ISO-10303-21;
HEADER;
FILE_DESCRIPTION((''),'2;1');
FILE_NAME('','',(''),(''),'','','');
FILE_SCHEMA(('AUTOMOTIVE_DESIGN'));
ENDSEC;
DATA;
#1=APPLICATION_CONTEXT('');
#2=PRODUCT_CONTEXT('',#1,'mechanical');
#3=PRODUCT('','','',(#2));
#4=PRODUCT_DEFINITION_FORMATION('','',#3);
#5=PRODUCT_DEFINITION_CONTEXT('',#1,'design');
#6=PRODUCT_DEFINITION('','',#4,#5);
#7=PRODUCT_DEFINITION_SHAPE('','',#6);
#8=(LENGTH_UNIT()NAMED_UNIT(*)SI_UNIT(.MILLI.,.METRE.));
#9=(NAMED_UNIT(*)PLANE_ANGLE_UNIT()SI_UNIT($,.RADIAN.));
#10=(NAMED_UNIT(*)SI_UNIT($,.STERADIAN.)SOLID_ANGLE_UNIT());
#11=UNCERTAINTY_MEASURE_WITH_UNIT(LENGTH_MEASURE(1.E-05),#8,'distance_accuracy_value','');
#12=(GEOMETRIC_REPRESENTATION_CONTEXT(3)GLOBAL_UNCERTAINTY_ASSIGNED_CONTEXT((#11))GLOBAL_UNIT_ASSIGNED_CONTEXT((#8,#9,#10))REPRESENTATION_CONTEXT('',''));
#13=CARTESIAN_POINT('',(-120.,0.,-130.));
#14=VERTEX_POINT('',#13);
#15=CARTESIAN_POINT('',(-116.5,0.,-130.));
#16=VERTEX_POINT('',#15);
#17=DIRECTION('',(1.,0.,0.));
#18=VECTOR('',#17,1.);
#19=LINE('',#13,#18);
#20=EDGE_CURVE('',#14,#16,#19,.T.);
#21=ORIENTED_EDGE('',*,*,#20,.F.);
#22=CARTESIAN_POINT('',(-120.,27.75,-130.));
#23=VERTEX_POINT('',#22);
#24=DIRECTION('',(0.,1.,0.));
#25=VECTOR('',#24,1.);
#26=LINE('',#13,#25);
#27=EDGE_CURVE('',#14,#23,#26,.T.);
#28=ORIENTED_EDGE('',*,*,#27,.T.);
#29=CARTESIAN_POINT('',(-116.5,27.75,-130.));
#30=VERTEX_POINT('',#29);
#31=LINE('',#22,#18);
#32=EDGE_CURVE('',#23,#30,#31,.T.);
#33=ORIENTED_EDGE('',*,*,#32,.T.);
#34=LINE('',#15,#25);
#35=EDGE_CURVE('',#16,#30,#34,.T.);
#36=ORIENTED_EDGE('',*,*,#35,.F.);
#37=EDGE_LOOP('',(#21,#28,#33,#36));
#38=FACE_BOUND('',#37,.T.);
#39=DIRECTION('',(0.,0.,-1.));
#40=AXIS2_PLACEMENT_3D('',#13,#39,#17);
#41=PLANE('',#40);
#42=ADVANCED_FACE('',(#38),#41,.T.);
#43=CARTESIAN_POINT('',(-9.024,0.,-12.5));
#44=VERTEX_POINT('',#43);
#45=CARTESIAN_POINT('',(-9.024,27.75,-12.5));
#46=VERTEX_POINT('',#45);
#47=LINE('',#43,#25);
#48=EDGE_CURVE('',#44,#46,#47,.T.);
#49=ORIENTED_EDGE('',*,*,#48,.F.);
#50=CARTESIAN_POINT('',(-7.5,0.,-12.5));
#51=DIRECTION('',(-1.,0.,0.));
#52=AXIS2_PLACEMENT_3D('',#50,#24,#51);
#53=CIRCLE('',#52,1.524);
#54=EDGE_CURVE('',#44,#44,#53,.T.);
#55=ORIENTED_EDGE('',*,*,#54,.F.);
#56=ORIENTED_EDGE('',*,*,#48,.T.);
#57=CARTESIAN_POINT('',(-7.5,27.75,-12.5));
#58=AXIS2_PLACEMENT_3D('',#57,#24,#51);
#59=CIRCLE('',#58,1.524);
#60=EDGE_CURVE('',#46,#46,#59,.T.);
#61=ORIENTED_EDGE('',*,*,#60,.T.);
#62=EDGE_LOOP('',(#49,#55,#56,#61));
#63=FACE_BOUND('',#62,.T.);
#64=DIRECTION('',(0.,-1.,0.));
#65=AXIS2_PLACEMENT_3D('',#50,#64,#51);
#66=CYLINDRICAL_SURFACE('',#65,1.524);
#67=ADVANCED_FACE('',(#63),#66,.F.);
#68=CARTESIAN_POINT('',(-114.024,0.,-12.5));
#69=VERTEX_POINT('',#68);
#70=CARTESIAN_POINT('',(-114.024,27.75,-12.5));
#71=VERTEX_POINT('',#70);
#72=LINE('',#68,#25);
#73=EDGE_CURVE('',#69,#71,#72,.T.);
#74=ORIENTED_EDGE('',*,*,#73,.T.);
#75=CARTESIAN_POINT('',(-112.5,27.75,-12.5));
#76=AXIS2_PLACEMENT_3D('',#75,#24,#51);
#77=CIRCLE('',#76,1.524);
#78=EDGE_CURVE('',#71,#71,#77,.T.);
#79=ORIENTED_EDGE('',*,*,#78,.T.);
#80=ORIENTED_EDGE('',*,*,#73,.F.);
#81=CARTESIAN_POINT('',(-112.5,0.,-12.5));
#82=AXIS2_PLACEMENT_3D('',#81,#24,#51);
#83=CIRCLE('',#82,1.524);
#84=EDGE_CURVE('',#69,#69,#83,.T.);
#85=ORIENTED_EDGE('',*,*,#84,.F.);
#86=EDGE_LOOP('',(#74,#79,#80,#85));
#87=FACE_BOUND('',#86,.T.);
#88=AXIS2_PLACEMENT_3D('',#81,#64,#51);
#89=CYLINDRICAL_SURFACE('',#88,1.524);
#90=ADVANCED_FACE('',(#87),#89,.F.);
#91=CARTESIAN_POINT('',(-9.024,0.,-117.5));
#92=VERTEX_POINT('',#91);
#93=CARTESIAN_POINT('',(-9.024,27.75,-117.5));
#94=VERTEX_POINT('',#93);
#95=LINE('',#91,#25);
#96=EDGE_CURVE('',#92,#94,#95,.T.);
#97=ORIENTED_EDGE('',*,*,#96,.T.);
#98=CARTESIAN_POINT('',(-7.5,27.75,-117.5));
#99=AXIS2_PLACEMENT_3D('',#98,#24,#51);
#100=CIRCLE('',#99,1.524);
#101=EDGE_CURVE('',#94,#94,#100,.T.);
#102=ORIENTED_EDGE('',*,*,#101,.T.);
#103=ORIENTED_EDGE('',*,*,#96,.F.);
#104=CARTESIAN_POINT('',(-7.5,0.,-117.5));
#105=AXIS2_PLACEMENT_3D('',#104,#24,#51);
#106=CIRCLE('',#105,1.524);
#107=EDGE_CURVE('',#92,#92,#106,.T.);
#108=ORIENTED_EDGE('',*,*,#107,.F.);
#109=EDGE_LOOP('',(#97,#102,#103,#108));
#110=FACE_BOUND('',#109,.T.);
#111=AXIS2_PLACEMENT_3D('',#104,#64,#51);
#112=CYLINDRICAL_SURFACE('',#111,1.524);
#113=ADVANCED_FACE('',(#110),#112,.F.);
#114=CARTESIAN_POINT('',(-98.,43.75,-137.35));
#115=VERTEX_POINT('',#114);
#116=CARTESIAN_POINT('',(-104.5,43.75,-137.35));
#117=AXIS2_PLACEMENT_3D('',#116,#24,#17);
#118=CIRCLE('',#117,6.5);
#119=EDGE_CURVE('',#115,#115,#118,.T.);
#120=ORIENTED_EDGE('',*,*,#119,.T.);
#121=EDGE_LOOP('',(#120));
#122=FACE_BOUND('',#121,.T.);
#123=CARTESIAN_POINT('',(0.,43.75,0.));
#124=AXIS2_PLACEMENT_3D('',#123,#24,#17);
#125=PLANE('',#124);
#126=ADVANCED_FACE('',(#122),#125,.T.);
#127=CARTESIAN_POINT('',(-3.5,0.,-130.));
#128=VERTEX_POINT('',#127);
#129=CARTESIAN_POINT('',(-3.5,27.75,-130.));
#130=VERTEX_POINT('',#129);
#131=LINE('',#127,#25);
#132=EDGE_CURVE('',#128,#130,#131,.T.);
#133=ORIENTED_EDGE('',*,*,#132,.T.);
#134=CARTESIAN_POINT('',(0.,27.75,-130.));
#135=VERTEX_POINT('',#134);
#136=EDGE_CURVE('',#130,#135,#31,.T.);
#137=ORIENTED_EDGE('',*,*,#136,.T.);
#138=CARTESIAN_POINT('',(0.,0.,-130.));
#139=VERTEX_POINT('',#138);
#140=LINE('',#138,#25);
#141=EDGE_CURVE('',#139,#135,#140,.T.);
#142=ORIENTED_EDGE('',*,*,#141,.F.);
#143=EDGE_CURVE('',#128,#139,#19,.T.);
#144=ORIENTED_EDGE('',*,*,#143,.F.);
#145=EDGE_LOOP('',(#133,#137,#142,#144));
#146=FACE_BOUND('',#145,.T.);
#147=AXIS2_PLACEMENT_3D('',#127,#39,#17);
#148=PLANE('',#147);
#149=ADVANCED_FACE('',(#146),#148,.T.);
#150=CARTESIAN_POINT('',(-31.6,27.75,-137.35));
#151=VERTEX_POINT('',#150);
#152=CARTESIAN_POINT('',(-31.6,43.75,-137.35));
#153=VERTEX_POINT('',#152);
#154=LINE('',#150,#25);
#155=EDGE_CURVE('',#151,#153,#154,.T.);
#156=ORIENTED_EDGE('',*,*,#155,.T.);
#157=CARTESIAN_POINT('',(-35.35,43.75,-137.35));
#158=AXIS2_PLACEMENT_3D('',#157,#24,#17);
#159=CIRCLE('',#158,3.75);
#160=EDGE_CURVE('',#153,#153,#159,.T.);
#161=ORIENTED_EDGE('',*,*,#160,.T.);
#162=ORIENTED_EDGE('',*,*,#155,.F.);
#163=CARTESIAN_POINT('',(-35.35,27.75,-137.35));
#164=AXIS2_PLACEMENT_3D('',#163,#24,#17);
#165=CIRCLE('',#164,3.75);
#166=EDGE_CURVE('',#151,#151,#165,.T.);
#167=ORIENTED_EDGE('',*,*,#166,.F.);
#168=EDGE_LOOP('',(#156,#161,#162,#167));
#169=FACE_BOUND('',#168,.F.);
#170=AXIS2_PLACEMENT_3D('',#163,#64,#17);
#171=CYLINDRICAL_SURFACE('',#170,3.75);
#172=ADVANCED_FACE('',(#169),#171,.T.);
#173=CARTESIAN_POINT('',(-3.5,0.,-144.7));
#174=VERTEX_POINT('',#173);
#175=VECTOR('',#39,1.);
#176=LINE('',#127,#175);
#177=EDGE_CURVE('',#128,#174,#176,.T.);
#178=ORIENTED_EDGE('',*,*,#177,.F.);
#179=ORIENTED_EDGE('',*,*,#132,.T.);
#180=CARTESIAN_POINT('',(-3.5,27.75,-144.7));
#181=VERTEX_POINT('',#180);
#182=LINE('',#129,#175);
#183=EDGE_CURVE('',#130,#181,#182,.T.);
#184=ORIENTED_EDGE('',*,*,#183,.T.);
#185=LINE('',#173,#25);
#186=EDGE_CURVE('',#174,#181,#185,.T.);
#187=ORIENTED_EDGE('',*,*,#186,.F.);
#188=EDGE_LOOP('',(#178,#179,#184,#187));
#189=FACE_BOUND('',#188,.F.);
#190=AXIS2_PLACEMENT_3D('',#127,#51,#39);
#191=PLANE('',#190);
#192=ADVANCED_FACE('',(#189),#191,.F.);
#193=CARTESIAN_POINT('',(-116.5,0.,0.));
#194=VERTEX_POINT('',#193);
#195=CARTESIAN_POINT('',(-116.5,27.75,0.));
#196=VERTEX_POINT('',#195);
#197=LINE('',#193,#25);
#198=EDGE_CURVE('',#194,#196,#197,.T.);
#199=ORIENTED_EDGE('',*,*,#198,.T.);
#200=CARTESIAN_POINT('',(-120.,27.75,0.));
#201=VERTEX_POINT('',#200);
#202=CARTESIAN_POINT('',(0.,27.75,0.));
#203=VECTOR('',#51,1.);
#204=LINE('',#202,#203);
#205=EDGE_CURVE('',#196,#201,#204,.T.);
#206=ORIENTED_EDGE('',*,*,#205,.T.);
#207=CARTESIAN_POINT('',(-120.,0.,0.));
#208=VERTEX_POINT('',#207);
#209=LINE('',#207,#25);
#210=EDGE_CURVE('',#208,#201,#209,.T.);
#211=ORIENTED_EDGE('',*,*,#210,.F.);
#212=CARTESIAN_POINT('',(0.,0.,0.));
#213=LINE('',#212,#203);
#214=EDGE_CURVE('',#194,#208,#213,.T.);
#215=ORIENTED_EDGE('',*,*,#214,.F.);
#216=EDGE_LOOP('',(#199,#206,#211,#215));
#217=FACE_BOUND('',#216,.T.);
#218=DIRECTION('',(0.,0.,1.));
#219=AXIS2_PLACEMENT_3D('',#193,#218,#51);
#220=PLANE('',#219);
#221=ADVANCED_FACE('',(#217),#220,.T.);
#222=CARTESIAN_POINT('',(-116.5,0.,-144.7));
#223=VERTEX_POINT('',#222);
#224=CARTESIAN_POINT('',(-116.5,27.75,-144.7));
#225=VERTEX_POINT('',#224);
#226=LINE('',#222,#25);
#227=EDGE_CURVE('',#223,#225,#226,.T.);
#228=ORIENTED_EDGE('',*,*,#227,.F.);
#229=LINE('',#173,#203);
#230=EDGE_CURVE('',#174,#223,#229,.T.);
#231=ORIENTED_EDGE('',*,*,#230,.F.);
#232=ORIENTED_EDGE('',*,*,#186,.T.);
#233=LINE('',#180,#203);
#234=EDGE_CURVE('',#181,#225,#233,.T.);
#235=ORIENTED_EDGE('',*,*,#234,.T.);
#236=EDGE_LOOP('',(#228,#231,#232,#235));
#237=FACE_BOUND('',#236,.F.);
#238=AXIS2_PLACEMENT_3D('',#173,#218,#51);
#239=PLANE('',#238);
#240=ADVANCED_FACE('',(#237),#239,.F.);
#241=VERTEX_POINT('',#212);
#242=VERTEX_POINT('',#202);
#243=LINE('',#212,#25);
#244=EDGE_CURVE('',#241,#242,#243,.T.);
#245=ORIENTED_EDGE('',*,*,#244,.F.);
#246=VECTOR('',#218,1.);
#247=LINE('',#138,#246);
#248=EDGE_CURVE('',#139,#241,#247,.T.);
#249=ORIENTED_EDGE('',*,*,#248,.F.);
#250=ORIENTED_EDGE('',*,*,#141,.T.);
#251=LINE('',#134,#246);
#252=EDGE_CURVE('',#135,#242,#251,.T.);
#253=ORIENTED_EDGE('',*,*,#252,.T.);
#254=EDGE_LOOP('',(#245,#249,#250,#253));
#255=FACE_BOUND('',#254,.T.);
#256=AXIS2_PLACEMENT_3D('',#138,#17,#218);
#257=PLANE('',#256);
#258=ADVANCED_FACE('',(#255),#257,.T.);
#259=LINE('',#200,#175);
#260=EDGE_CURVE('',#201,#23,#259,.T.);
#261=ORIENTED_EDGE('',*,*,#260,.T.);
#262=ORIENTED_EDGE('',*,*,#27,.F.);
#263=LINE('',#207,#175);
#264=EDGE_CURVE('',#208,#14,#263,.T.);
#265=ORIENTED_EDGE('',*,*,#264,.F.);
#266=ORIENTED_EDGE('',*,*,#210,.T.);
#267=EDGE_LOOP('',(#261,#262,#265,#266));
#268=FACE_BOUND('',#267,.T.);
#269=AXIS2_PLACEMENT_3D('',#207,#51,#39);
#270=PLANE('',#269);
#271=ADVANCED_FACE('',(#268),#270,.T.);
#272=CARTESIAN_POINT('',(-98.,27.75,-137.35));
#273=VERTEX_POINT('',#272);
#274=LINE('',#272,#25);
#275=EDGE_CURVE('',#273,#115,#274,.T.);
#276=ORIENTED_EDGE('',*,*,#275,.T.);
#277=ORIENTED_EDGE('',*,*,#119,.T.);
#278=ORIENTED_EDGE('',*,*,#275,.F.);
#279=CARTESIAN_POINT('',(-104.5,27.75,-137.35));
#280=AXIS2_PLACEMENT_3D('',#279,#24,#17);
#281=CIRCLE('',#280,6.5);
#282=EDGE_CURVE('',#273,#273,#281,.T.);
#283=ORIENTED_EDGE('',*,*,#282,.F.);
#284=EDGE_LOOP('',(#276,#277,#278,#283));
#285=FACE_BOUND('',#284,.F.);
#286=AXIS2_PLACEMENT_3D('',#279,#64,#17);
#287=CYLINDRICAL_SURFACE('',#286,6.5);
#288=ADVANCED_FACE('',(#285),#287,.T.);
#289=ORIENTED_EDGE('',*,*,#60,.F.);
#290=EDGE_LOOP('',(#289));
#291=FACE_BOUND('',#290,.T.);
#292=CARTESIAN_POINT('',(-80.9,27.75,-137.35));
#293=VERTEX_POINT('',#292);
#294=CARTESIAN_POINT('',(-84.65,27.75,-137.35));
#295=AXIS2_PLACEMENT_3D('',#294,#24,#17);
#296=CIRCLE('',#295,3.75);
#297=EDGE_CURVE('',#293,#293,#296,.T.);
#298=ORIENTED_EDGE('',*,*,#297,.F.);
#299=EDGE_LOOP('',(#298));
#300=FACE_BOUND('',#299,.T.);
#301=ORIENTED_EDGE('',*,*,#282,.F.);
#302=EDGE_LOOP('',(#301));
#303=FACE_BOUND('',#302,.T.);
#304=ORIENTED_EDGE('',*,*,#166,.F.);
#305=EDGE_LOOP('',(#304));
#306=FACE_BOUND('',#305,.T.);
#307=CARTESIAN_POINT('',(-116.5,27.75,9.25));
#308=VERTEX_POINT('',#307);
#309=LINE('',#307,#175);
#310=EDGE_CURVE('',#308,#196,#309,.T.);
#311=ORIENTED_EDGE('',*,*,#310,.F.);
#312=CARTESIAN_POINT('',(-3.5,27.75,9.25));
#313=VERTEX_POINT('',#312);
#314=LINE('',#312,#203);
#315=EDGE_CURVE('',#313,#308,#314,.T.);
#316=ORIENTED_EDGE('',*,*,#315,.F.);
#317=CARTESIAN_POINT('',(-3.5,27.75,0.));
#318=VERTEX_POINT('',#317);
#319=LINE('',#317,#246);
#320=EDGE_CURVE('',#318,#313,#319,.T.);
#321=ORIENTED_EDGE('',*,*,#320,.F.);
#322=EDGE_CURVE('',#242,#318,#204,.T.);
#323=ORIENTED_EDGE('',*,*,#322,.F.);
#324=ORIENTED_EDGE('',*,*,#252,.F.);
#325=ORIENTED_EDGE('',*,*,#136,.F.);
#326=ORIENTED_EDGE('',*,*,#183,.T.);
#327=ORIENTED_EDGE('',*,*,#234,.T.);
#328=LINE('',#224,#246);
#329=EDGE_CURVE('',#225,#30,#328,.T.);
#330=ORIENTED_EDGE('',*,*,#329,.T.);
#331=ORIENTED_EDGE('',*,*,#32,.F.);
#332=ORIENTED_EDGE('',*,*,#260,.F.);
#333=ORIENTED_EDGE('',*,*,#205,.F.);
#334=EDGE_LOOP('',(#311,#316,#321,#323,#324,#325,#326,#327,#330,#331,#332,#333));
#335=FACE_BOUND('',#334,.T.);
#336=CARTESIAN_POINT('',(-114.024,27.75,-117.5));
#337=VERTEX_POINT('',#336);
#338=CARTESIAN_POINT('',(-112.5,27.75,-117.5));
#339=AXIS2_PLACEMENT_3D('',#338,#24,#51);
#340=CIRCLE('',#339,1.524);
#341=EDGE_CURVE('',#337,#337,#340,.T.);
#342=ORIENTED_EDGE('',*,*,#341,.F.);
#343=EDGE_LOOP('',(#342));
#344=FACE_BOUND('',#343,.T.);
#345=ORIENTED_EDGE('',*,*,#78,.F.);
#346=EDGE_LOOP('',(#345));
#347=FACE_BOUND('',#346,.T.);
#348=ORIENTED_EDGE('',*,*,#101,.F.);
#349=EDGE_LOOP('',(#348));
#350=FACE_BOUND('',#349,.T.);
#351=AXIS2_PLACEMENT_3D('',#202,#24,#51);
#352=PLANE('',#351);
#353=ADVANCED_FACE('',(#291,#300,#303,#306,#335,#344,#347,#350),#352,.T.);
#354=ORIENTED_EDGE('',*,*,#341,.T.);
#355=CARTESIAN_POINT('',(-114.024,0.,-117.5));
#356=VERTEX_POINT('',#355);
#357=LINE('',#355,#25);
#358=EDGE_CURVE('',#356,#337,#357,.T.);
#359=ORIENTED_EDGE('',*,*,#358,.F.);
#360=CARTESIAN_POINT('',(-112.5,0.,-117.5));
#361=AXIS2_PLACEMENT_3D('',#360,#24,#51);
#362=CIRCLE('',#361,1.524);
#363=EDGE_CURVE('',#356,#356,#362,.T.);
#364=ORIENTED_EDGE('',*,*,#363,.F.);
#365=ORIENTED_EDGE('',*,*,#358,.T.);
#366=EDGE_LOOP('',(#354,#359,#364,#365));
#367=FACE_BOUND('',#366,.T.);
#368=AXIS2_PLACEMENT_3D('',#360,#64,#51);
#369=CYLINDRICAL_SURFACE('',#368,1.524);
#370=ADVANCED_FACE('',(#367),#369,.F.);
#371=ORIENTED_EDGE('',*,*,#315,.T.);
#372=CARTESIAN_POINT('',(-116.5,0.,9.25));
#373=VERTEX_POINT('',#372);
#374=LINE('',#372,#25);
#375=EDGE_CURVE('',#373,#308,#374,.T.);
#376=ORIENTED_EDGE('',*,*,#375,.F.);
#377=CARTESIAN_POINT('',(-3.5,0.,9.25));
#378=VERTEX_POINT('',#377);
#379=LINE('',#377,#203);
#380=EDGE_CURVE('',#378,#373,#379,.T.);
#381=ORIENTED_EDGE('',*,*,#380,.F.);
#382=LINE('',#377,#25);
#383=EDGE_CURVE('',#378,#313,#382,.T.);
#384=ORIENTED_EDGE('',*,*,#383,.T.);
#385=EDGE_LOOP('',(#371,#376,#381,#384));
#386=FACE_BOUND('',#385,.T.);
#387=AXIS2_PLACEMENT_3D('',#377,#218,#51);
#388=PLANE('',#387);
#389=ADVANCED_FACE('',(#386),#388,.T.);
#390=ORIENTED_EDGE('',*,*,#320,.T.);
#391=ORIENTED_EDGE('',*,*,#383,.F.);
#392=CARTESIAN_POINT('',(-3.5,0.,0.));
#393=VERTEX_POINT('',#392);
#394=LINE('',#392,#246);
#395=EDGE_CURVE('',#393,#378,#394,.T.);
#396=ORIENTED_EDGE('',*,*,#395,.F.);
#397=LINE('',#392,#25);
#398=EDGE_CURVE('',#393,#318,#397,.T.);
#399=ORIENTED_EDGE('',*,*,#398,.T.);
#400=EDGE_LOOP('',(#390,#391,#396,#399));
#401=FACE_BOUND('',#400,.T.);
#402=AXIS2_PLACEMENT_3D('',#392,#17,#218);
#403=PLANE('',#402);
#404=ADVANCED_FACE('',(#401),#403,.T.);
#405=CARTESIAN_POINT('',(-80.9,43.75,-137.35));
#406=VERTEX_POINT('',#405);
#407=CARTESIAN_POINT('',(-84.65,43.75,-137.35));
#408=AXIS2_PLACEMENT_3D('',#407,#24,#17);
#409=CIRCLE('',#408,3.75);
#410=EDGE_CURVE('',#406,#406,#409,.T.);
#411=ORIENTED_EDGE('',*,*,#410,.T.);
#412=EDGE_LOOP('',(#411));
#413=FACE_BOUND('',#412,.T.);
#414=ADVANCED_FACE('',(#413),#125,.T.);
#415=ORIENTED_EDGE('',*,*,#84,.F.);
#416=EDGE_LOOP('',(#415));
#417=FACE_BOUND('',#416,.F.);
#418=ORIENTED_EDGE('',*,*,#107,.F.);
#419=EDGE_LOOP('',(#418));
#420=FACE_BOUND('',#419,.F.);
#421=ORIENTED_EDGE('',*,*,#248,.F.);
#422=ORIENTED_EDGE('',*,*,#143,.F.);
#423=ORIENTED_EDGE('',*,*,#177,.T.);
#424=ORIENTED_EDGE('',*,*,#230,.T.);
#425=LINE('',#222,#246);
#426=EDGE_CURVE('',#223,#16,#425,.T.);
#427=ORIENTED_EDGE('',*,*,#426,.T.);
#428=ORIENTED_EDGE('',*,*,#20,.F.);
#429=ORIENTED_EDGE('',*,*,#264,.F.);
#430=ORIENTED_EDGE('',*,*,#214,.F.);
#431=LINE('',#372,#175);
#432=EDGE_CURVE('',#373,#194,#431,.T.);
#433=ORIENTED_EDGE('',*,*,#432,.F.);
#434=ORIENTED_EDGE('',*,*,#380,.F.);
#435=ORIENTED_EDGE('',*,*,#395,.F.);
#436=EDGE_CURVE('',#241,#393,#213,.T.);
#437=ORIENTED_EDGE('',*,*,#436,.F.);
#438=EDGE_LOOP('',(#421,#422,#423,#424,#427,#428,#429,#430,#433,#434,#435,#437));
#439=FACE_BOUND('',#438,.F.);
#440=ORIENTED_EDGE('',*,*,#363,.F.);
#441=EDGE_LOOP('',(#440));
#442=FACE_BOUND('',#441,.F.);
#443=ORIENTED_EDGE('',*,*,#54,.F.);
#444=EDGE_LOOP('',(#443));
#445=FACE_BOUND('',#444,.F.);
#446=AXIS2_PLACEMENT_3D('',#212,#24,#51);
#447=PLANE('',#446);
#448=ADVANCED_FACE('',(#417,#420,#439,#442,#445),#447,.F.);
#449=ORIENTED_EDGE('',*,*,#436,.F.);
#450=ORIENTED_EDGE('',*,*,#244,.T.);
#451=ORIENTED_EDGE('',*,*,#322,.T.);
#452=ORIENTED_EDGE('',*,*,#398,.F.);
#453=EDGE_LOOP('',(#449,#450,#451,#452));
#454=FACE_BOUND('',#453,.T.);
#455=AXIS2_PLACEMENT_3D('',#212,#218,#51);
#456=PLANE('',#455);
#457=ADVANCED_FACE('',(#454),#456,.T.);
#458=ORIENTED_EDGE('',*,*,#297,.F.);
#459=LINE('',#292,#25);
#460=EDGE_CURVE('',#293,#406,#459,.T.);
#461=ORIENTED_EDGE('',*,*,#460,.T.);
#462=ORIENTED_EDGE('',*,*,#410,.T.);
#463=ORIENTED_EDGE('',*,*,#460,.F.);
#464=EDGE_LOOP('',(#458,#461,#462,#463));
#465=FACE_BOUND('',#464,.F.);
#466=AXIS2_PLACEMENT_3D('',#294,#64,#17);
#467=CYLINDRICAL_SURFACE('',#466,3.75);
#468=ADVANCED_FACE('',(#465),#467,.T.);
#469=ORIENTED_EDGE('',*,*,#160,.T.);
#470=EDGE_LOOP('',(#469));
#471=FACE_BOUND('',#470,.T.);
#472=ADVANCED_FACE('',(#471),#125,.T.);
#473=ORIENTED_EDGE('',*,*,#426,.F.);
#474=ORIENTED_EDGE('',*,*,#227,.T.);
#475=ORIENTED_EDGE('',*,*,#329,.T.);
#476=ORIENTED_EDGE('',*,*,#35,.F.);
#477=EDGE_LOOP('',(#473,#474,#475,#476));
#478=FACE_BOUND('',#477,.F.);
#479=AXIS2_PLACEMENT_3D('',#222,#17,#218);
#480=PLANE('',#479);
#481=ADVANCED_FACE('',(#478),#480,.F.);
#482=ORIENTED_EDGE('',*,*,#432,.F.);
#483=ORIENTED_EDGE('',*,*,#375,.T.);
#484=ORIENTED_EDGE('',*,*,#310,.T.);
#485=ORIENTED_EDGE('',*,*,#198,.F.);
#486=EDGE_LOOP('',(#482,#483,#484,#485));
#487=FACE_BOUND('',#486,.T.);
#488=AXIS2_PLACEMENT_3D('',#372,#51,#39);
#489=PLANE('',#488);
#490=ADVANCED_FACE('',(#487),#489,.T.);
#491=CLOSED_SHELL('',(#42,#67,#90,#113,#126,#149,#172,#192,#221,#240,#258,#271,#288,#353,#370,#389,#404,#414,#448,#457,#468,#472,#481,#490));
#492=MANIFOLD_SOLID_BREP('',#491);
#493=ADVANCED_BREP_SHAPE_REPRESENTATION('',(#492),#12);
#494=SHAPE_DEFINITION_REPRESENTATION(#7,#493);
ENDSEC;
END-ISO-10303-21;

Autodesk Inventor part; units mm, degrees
ref_plane "YZ Plane" through (0, 0, 0) normal (1, 0, 0) x (0, 1, 0)
ref_plane "XZ Plane" through (0, 0, 0) normal (0, 1, 0) x (-1, 0, 0)
ref_plane "XY Plane" through (0, 0, 0) normal (0, 0, 1) x (1, 0, 0)
sketch "Sketch1" plane through (0, 0, 0) normal (0, 1, 0) x (-1, 0, 0)
  line L0 (0, 0) -> (120, 0)
  line L1 (120, 0) -> (120, -130)
  line L2 (120, -130) -> (0, -130)
  line L3 (0, -130) -> (0, 0)
  line L4 (112.5, -12.5) -> (7.5, -12.5) construction
  line L5 (7.5, -12.5) -> (7.5, -117.5) construction
  line L6 (7.5, -117.5) -> (112.5, -117.5) construction
  line L7 (112.5, -117.5) -> (112.5, -12.5) construction
  circle A0 centre (112.5, -12.5) radius 1.524
  circle A1 centre (112.5, -117.5) radius 1.524
  circle A2 centre (7.5, -12.5) radius 1.524
  circle A3 centre (7.5, -117.5) radius 1.524
  line L8 (116.5, -130) -> (3.5, -130)
  line L9 (3.5, -130) -> (3.5, -144.7)
  line L10 (3.5, -144.7) -> (116.5, -144.7)
  line L11 (116.5, -144.7) -> (116.5, -130)
  line L12 (116.5, 0) -> (3.5, 0)
  line L13 (3.5, 0) -> (3.5, 9.25)
  line L14 (3.5, 9.25) -> (116.5, 9.25)
  line L15 (116.5, 9.25) -> (116.5, 0)
  point P0 (112.5, -65)
  point P1 (120, -65)
  point P2 (60, -117.5)
  point P3 (60, -130)
  point P4 (60, -144.7)
  point P5 (60, -130)
  point P6 (116.5, 4.625)
  point P7 (116.5, -137.35)
  point P8 (3.5, 0)
  point P9 (3.5, -130)
  dimension "d0" = 130
  dimension "d1" = 120
  dimension "d2" = 105
  dimension "d3" = 3.048
  dimension "d4" = 14.7
  dimension "d5" = 113
  dimension "d6" = 9.25
extrude "Extrusion1" add sketch "Sketch1" along normal blind 27.75
sketch "Sketch2" plane through (0, 27.75, 0) normal (0, 1, 0) x (1, 0, 0)
  circle A0 centre (-104.5, 137.35) radius 6.5
  circle A1 centre (-84.65, 137.35) radius 3.75
  circle A2 centre (-35.35, 137.35) radius 3.75
  line L0 (-116.5, 144.7) -> (-116.5, 130) projected
  line L1 (-3.5, 130) -> (-3.5, 144.7) projected
  point P0 (0, 0)
  point P1 (-116.5, 137.35)
  point P2 (-116.5, 137.35)
  point P3 (-116.5, 137.35)
  point P4 (-116.5, 137.35)
  point P5 (-3.5, 137.35)
  dimension "d9" = 13
  dimension "d10" = 7.5
  dimension "d11" = 12
  dimension "d12" = 31.85
  dimension "d13" = 31.85
extrude "Extrusion2" add sketch "Sketch2" along normal blind 16
equation "\"d13\" = d12"
properties part number "Radiator"
